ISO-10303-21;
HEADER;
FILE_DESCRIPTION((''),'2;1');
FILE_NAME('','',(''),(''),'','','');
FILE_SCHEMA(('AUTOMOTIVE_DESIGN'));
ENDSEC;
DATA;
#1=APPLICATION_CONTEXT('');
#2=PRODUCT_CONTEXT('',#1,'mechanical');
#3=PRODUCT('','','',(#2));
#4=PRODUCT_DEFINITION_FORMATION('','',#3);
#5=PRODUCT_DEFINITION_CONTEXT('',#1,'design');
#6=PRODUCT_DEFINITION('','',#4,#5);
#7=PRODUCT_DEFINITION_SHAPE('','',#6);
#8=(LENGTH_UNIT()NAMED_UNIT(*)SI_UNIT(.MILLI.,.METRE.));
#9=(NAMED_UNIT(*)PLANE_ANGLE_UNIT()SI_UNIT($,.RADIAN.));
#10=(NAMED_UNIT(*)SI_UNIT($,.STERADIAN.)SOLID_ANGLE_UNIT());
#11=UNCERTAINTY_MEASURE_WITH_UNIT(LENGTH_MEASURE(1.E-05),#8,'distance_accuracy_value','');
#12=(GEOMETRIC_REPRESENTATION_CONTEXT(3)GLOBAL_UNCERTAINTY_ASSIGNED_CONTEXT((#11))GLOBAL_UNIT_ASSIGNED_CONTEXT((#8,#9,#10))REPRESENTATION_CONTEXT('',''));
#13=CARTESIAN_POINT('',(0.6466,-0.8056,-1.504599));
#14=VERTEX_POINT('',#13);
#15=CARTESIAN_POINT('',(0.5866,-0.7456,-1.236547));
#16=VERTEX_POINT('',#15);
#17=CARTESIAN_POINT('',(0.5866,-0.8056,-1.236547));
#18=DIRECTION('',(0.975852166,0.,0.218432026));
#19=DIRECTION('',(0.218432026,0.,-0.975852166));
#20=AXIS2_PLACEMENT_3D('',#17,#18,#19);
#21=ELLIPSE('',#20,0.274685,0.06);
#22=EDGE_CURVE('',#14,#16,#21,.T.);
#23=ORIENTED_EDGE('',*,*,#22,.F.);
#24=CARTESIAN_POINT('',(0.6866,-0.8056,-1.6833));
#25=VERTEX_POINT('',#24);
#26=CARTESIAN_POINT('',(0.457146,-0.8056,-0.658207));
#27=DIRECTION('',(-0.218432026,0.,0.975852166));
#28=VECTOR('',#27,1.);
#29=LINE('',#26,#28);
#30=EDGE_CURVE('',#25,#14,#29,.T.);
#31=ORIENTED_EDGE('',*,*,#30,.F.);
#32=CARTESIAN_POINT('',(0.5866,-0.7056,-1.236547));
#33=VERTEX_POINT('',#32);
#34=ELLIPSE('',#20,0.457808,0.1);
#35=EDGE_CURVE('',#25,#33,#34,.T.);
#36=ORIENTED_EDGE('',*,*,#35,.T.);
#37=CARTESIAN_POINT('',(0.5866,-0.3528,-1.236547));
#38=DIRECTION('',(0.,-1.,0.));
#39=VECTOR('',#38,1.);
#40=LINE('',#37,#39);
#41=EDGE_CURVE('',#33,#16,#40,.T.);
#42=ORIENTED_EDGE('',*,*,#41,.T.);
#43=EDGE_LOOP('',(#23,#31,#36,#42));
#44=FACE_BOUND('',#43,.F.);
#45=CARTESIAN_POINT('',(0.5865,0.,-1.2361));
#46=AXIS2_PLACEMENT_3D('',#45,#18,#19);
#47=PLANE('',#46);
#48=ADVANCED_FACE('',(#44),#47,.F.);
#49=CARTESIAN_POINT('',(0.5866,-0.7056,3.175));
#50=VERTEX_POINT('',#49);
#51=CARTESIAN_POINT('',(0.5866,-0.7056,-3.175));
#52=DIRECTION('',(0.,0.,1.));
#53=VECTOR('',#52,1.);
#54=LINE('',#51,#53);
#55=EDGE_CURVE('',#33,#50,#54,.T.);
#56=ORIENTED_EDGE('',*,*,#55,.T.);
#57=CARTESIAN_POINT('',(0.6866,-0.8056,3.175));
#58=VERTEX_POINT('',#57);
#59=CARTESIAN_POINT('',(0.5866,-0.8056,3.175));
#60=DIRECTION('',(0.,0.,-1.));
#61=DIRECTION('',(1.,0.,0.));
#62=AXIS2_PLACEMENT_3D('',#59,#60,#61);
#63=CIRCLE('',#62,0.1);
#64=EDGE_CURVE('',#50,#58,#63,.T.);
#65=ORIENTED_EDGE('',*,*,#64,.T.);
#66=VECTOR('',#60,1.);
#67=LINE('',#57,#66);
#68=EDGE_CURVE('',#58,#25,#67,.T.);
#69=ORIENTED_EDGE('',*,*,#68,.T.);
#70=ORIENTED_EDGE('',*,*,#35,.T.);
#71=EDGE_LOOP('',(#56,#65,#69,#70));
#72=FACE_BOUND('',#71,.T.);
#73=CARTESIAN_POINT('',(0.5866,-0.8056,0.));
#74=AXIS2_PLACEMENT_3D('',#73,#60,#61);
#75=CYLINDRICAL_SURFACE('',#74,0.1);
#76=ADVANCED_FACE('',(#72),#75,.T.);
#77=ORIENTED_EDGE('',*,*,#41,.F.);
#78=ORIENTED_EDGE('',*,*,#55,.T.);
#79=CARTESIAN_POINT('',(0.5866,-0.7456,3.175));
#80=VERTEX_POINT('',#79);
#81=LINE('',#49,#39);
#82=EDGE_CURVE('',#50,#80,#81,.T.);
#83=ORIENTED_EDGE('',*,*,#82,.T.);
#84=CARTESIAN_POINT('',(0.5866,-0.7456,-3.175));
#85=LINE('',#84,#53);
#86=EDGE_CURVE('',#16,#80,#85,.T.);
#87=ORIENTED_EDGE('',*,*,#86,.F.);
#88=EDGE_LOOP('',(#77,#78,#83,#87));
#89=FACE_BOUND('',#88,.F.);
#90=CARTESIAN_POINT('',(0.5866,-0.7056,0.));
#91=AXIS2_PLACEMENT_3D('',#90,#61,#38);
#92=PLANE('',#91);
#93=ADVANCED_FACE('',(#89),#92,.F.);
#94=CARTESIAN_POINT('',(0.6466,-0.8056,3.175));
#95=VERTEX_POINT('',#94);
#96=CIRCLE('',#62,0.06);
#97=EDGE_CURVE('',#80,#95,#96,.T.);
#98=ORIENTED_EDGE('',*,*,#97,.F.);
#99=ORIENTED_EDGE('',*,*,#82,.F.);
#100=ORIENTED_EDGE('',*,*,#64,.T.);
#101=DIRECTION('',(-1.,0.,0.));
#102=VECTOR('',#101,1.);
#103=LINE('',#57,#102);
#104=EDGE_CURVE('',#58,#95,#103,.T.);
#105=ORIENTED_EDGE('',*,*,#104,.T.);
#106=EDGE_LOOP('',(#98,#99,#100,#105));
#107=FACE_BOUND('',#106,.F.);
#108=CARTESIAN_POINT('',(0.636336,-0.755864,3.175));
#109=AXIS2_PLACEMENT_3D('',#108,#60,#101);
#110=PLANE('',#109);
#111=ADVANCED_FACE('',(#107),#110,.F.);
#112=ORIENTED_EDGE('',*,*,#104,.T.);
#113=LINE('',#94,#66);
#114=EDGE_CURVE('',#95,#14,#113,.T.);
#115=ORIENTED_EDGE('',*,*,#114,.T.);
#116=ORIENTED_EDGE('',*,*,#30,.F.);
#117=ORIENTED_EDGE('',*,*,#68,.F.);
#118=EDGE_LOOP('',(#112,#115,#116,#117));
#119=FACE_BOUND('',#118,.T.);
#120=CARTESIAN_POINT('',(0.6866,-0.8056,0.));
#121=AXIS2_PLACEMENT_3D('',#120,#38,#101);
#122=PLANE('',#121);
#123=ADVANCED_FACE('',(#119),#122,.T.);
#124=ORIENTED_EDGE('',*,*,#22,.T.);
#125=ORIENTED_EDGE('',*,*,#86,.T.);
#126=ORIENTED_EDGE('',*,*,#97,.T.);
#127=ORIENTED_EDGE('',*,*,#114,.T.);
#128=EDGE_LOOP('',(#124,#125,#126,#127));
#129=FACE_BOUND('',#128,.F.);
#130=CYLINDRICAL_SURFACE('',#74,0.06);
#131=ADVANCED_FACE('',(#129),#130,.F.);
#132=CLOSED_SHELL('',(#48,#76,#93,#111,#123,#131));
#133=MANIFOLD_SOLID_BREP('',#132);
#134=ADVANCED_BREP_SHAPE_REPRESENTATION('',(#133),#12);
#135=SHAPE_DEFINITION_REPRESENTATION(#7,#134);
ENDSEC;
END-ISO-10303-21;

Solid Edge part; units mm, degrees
sketch "Sketch1" plane through (0, 0, 0) normal (0, 0, 1) x (1, 0, 0)
  arc A0 (0.5866, -0.7056) -> (0.6866, -0.8056) centre (0.5866, -0.8056) cw
  line L0 (0.6866, -0.8056) -> (0.6466, -0.8056)
  arc A1 (0.5866, -0.7456) -> (0.6466, -0.8056) centre (0.5866, -0.8056) cw
  line L1 (0.5866, -0.7056) -> (0.5866, -0.7456)
extrude "Protrusion1" add sketch "Sketch1" along normal mid plane 6.35
sketch "Sketch2" plane through (0, 0, 0) normal (0, -1, 0) x (1, 0, 0)
  spline S0 degree 3 poles (-0.0745, -0.2344) (0.2783, -0.5946) (0.456, -0.8644) (0.5865, -1.2361) knots 0 0 0 0 1 1 1 1
  line L0 (0.5865, -1.2361) -> (0.6866, -1.6833)
  line L1 (0.6866, -1.6833) -> (0.6866, -3.175)
  line L2 (-0.1084, -3.175) -> (0.6866, -3.175)
  line L3 (-0.0745, -0.2344) -> (-0.1084, -3.175)
extrude "Ausschnitt_1" cut sketch "Sketch2" along normal blind 3.175
